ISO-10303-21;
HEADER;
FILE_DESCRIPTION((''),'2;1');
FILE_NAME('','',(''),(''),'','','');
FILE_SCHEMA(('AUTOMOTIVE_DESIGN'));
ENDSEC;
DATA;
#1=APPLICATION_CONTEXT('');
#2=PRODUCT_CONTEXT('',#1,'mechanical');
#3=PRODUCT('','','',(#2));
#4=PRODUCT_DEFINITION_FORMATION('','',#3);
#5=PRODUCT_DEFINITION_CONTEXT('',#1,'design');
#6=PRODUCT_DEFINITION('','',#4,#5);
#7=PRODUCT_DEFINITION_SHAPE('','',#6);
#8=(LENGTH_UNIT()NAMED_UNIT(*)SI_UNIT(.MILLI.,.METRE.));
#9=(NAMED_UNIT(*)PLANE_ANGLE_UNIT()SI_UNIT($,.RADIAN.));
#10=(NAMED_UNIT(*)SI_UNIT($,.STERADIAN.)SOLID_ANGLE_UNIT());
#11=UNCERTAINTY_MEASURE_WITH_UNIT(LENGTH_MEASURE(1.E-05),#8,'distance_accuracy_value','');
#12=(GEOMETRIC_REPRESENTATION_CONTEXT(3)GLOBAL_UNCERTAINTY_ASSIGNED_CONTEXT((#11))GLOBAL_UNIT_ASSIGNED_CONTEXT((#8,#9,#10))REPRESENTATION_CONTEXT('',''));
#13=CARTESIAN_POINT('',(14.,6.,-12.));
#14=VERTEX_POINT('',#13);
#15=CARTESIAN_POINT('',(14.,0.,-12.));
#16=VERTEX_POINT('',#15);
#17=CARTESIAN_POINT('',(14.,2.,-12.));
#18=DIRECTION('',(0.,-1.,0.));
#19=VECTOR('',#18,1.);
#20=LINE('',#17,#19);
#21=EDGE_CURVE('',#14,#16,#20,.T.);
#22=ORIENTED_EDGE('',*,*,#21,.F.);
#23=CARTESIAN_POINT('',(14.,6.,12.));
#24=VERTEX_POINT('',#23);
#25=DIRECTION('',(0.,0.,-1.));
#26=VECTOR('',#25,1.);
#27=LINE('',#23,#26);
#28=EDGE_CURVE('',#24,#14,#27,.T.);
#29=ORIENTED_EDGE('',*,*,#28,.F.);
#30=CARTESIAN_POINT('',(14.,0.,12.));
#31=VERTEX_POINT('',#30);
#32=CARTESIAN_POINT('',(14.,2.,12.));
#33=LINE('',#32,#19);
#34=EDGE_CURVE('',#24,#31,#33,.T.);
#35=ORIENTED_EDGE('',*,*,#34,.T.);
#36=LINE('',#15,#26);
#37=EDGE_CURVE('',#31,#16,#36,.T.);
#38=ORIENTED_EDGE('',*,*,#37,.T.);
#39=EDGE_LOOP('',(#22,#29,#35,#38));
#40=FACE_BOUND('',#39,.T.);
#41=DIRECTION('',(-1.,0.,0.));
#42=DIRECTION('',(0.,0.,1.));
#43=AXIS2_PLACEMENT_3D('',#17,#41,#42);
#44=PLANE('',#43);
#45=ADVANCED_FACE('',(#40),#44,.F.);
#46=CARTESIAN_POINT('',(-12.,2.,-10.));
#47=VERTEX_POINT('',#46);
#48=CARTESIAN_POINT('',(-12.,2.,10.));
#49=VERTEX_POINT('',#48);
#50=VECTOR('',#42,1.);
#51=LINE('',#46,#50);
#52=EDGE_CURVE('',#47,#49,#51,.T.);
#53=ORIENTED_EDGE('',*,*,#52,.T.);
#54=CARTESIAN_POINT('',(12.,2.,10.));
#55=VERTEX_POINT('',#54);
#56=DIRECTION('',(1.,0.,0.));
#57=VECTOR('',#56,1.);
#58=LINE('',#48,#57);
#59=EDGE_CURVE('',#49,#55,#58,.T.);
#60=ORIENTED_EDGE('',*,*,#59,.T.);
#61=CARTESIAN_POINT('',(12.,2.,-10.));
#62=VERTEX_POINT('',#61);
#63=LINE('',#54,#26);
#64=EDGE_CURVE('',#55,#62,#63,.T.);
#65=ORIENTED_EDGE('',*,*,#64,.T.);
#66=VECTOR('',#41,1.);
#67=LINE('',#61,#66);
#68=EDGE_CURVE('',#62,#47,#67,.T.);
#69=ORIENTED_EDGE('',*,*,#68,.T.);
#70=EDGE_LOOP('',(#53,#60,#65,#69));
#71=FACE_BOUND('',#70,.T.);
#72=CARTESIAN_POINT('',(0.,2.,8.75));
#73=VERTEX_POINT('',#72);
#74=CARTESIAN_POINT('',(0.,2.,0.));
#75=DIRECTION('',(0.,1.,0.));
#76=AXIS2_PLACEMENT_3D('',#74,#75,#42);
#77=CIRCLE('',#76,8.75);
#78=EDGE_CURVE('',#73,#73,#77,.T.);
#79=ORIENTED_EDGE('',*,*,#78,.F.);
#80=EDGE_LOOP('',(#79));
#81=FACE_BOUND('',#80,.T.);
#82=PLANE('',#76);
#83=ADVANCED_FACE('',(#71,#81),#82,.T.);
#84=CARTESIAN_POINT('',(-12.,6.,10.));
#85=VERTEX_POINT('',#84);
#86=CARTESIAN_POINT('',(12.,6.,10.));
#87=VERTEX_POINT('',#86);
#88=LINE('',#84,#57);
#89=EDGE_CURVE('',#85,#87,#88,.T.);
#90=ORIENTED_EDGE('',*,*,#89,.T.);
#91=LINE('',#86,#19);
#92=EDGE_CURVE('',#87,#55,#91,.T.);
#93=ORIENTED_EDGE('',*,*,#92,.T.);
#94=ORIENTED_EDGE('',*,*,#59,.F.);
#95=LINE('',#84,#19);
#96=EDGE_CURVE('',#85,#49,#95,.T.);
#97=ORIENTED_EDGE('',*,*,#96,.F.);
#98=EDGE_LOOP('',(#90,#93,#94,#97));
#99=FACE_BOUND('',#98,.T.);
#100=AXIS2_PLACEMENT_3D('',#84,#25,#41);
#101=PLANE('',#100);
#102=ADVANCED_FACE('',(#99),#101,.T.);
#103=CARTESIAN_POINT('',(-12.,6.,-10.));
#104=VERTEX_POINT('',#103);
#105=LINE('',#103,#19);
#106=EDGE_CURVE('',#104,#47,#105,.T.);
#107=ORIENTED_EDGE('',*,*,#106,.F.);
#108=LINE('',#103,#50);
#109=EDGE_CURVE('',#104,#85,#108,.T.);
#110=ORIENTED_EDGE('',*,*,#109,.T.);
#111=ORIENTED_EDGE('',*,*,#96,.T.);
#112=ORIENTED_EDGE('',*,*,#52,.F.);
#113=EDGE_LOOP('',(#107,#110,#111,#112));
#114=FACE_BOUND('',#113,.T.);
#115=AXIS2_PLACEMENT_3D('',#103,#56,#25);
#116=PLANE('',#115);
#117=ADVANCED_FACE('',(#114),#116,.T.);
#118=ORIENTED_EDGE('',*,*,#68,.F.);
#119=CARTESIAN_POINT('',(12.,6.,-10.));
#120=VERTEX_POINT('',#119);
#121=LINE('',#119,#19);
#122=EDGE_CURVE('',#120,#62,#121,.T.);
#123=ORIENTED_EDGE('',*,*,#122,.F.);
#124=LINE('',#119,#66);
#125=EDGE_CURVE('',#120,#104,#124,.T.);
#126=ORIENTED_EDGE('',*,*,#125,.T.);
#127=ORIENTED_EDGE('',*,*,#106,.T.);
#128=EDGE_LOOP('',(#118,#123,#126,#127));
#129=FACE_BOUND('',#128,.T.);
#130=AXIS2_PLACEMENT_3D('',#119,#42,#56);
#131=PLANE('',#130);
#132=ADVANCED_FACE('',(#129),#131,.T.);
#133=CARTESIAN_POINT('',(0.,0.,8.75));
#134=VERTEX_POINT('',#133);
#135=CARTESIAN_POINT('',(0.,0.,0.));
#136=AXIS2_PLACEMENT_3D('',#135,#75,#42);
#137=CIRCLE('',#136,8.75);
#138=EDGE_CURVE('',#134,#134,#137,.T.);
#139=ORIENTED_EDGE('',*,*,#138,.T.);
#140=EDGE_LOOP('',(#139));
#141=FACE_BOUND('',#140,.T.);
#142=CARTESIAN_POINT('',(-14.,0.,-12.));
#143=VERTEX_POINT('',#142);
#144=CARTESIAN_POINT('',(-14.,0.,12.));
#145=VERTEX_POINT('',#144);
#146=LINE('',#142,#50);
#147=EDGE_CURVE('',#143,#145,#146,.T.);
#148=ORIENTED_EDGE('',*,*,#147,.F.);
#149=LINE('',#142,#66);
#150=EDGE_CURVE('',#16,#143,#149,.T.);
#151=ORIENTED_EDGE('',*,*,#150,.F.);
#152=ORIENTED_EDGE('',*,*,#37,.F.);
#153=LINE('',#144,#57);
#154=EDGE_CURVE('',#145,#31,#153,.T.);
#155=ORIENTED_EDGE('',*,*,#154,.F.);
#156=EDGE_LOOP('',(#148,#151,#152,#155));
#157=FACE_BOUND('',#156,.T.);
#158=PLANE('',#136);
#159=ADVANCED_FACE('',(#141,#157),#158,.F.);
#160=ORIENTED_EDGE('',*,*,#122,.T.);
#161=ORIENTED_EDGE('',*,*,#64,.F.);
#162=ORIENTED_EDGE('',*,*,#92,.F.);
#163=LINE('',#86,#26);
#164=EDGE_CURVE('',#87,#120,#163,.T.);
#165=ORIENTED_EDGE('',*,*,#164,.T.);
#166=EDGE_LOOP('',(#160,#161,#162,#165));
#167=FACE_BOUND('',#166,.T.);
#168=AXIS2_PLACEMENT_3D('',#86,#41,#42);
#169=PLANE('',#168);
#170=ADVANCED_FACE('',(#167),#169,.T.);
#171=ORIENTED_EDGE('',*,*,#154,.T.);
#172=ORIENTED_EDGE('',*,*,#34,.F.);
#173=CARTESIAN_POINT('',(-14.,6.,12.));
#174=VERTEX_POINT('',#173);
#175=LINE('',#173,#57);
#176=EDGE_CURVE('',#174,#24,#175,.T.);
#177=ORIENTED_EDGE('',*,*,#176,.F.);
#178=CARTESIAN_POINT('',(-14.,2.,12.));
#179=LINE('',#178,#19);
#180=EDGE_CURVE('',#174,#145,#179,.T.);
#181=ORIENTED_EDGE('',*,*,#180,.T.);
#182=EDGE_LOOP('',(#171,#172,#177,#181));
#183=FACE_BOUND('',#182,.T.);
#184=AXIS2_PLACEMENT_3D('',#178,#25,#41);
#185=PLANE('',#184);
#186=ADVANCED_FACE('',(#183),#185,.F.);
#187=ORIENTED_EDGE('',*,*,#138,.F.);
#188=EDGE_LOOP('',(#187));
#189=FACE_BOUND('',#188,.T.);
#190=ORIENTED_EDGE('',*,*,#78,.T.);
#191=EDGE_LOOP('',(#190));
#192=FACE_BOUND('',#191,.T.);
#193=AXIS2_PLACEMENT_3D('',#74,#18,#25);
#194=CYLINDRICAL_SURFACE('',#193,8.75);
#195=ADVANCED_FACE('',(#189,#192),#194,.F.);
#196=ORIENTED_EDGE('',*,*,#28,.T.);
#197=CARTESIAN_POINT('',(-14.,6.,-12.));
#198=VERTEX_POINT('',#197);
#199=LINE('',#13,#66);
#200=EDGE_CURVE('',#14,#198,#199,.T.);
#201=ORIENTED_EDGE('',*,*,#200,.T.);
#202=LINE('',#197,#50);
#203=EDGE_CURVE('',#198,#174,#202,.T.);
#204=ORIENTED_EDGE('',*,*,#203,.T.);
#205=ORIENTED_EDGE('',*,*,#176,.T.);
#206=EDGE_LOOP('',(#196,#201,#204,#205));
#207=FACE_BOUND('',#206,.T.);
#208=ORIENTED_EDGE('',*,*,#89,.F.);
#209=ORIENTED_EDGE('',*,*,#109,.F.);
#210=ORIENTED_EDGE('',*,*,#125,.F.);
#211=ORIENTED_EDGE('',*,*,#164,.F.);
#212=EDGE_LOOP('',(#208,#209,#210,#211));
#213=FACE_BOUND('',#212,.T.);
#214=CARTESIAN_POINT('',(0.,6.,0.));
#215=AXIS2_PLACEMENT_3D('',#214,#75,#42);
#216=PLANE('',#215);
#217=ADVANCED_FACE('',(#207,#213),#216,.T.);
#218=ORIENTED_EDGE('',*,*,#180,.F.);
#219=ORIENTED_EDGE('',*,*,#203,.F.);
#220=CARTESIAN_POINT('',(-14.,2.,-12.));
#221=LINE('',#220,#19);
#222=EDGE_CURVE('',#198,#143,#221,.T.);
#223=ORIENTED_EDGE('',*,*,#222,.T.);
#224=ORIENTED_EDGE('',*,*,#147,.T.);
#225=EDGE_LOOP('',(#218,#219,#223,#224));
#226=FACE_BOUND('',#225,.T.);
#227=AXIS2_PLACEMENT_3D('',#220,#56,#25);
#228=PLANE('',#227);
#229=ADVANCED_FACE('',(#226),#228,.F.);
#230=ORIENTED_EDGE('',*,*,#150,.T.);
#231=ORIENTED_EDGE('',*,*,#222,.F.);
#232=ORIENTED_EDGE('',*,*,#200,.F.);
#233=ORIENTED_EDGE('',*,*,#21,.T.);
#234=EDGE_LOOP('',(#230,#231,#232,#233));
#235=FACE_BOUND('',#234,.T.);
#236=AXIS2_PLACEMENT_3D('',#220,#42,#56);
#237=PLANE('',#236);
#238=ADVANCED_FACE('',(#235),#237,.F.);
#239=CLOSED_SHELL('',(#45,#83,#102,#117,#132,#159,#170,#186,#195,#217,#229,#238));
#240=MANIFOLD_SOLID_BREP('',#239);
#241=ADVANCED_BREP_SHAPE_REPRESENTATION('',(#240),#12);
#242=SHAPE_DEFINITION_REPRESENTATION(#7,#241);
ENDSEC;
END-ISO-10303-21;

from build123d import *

# Parameters (mm, degrees)
SKETCH1_W           = 28
SKETCH1_H           = 24
SKETCH1_R           = 8.75
BOSS_EXTRUDE1_DEPTH = 2
SKETCH2_W           = 28
SKETCH2_H           = 24
SKETCH2_W_2         = 24
SKETCH2_H_2         = 20
BOSS_EXTRUDE2_DEPTH = 4


with BuildPart() as part:
    # Sketch1 → Boss-Extrude1 (new body)
    with BuildSketch(Plane(origin=(0, 0, 0), x_dir=(1, 0, 0), z_dir=(0, 1, 0))):
        Rectangle(SKETCH1_W, SKETCH1_H)
        Circle(SKETCH1_R, mode=Mode.SUBTRACT)
    extrude(amount=BOSS_EXTRUDE1_DEPTH)

    # Sketch2 → Boss-Extrude2 (add)
    with BuildSketch(Plane(origin=(0, 2, 0), x_dir=(1, 0, 0), z_dir=(0, 1, 0))):
        Rectangle(SKETCH2_W, SKETCH2_H)
        Rectangle(SKETCH2_W_2, SKETCH2_H_2, mode=Mode.SUBTRACT)
    extrude(amount=BOSS_EXTRUDE2_DEPTH)


solid = part.part
